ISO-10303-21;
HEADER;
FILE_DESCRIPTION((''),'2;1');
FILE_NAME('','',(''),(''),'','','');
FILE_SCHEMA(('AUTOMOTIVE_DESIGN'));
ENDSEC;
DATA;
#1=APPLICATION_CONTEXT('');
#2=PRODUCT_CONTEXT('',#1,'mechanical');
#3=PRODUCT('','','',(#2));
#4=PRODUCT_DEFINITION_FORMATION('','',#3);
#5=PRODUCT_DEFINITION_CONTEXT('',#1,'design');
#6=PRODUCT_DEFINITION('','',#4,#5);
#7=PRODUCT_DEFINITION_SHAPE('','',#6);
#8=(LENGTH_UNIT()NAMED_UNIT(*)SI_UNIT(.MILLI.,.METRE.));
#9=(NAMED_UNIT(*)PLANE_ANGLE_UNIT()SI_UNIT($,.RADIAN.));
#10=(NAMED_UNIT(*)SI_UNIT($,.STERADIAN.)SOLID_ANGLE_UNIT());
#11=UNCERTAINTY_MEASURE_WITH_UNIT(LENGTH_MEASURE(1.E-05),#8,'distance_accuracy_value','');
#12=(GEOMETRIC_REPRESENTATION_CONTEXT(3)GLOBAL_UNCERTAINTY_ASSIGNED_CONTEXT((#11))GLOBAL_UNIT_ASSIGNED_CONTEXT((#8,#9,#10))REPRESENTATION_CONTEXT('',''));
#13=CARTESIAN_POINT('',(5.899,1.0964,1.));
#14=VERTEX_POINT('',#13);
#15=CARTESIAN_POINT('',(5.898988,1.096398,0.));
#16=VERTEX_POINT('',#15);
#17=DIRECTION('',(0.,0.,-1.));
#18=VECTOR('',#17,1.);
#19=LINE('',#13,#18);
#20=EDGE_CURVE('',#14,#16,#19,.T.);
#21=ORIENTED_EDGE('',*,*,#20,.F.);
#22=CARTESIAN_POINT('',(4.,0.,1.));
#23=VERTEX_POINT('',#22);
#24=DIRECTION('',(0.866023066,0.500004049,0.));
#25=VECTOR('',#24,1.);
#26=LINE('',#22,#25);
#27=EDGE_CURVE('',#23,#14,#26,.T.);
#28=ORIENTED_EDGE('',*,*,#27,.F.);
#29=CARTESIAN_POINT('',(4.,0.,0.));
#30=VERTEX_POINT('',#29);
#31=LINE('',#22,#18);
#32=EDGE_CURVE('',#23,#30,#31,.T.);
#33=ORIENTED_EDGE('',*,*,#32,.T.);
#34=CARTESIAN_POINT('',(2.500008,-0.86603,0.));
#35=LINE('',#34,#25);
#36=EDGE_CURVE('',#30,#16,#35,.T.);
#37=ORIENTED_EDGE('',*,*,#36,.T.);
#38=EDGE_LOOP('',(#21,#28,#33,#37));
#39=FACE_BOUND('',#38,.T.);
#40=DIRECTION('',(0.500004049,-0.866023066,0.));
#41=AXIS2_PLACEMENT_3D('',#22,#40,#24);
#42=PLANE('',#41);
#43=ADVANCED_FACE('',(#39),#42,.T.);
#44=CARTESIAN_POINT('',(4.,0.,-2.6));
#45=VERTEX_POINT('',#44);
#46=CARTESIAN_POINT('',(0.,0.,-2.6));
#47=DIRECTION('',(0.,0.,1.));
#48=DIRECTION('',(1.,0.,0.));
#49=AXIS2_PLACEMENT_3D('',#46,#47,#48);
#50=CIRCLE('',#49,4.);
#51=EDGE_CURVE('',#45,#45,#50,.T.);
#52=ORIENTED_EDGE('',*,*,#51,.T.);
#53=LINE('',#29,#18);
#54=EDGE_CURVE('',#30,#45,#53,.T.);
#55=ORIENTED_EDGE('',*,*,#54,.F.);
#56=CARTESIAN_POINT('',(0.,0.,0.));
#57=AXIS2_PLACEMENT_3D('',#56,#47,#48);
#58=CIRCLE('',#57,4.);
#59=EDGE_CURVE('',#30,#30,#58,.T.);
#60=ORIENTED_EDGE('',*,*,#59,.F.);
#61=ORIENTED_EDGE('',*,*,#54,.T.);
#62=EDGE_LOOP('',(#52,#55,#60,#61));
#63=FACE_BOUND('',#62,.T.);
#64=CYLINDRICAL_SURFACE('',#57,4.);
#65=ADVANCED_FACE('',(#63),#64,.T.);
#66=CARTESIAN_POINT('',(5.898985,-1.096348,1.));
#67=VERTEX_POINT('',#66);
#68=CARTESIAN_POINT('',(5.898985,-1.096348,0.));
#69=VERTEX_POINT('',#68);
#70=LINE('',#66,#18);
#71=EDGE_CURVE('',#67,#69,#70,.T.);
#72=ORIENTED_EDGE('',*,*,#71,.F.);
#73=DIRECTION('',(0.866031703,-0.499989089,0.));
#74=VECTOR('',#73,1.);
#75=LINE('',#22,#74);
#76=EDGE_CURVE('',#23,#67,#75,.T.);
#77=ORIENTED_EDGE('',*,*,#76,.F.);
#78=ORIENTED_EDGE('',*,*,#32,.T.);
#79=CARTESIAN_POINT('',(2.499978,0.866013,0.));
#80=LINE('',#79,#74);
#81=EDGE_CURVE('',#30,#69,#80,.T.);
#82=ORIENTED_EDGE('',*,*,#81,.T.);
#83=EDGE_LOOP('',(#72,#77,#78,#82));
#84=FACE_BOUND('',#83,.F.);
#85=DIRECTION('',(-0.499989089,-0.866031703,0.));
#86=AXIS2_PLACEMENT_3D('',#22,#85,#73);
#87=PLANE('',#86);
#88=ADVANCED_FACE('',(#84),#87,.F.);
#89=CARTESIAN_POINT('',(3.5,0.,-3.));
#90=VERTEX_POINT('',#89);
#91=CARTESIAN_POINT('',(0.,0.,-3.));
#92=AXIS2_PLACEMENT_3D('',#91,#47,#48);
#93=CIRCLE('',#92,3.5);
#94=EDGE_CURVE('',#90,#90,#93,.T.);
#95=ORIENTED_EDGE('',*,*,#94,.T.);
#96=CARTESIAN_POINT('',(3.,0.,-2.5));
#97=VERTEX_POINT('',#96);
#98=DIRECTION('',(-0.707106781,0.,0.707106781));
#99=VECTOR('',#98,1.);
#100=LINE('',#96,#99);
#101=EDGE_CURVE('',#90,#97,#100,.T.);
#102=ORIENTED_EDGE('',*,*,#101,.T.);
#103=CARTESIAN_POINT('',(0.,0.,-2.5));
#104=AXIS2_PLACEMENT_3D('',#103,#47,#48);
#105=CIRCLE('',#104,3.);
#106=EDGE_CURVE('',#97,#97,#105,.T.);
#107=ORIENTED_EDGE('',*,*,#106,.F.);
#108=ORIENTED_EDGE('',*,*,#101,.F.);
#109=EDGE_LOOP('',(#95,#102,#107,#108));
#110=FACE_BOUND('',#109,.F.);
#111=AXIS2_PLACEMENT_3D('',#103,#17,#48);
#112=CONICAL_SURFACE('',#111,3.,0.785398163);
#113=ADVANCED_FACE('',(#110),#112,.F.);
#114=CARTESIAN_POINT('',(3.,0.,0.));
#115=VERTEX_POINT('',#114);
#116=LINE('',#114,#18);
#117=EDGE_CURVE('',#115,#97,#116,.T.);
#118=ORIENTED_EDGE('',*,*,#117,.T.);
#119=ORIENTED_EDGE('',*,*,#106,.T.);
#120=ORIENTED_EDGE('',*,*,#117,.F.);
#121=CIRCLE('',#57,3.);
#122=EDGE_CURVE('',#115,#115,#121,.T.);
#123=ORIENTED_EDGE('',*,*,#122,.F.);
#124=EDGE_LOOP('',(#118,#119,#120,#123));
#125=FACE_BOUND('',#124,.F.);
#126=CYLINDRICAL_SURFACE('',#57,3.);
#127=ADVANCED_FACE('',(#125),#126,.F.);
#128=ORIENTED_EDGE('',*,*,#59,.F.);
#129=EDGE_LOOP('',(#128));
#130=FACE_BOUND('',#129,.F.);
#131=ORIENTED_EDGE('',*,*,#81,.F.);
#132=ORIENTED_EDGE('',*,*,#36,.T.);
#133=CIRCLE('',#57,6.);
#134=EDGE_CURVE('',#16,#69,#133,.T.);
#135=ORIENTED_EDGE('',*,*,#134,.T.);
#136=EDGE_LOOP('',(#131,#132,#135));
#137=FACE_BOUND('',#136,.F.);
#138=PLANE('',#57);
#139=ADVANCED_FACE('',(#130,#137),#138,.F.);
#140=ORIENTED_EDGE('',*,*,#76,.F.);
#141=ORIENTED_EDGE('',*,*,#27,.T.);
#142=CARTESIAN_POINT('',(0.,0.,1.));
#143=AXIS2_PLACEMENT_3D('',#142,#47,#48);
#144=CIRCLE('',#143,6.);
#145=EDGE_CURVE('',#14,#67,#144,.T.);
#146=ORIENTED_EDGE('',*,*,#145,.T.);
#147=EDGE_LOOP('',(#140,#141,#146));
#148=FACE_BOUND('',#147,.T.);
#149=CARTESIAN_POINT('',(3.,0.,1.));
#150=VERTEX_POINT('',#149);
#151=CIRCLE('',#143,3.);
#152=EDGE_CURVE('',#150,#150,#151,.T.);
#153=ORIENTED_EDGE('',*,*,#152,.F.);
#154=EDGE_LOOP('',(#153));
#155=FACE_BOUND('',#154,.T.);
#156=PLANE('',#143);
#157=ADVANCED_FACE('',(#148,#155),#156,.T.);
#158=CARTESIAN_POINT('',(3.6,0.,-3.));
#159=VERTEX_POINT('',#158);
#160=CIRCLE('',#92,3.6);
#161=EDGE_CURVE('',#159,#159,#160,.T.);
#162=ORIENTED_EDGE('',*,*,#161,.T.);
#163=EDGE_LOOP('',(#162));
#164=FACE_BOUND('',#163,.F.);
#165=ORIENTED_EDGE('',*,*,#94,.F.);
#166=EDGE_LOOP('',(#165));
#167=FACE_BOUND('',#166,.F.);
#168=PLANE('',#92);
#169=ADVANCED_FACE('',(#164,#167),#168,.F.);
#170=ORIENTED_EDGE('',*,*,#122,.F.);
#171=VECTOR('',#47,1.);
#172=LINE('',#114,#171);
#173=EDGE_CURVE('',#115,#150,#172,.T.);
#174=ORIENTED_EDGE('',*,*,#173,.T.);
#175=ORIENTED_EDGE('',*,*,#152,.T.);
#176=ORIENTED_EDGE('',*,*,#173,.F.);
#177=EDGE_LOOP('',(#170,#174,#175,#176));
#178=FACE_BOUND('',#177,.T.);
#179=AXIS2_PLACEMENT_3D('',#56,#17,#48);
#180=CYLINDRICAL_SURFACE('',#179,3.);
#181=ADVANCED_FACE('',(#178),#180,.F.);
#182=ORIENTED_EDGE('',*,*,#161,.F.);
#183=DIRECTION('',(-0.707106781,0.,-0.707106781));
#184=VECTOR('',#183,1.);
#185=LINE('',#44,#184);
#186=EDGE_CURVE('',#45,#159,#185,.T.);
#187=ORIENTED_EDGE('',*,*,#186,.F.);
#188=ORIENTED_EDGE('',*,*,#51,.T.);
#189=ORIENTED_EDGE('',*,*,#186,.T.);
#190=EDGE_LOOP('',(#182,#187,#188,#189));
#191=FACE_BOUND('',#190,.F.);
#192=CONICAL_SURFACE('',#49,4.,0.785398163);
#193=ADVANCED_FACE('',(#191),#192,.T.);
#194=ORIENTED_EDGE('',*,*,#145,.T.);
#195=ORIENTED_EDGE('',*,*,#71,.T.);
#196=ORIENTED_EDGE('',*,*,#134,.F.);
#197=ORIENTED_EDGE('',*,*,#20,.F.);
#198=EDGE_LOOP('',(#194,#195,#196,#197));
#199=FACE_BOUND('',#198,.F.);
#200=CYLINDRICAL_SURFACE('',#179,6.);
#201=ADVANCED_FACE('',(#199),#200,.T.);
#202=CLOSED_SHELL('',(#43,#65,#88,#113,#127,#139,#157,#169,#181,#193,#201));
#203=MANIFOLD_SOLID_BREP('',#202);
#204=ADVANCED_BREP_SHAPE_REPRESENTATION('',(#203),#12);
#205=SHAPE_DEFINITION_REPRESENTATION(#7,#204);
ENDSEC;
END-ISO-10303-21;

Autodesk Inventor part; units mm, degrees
ref_plane "YZ Plane" through (0, 0, 0) normal (1, 0, 0) x (0, 1, 0)
ref_plane "XZ Plane" through (0, 0, 0) normal (0, 1, 0) x (-1, 0, 0)
ref_plane "XY Plane" through (0, 0, 0) normal (0, 0, 1) x (1, 0, 0)
sketch "Szkic1" plane through (0, 0, 0) normal (0, 0, 1) x (1, 0, 0)
  circle A0 centre (0, 0) radius 3
  circle A1 centre (0, 0) radius 4
  circle A2 centre (0, 0) radius 6
  dimension "d0" = 6
  dimension "d1" = 8
  dimension "d2" = 12
extrude "Wyciągnięcie proste1" add sketch "Szkic1" along normal blind 1 contours A1 | A2
extrude "Wyciągnięcie proste2" add sketch "Szkic1" against normal blind 3 contours A1
sketch "Szkic2" plane through (0, 0, 1) normal (0, 0, 1) x (1, 0, 0)
  circle A0 centre (0, 0) radius 4 projected
  line L0 (4, 0) -> (5.899, 1.0964)
  circle A1 centre (0, 0) radius 6 projected
  line L1 (4, 0) -> (5.9306, -1.1146)
  line L2 (4, 0) -> (6, 0) construction
  circle A2 centre (0, 0) radius 6 construction
  circle A3 centre (0, 0) radius 6 construction
  circle A4 centre (0, 0) radius 3 construction
  point P0 (5.899, -1.0964)
  dimension "d7" = 60
  dimension "d8" = 30
extrude "Wyciągnięcie proste3" cut sketch "Szkic2" against normal blind 10 contours L0 A1 L1 picked at (5.2847, 0.6099)
chamfer "Faza1" distance 0.4 angle 45 1 edges at (-4, 0, -3)
chamfer "Faza2" distance 0.5 angle 45 1 edges at (-3, 0, -3)
equation "\"d8\" = 0.5 * d7"
properties part number "tuleja_TUF106040"
